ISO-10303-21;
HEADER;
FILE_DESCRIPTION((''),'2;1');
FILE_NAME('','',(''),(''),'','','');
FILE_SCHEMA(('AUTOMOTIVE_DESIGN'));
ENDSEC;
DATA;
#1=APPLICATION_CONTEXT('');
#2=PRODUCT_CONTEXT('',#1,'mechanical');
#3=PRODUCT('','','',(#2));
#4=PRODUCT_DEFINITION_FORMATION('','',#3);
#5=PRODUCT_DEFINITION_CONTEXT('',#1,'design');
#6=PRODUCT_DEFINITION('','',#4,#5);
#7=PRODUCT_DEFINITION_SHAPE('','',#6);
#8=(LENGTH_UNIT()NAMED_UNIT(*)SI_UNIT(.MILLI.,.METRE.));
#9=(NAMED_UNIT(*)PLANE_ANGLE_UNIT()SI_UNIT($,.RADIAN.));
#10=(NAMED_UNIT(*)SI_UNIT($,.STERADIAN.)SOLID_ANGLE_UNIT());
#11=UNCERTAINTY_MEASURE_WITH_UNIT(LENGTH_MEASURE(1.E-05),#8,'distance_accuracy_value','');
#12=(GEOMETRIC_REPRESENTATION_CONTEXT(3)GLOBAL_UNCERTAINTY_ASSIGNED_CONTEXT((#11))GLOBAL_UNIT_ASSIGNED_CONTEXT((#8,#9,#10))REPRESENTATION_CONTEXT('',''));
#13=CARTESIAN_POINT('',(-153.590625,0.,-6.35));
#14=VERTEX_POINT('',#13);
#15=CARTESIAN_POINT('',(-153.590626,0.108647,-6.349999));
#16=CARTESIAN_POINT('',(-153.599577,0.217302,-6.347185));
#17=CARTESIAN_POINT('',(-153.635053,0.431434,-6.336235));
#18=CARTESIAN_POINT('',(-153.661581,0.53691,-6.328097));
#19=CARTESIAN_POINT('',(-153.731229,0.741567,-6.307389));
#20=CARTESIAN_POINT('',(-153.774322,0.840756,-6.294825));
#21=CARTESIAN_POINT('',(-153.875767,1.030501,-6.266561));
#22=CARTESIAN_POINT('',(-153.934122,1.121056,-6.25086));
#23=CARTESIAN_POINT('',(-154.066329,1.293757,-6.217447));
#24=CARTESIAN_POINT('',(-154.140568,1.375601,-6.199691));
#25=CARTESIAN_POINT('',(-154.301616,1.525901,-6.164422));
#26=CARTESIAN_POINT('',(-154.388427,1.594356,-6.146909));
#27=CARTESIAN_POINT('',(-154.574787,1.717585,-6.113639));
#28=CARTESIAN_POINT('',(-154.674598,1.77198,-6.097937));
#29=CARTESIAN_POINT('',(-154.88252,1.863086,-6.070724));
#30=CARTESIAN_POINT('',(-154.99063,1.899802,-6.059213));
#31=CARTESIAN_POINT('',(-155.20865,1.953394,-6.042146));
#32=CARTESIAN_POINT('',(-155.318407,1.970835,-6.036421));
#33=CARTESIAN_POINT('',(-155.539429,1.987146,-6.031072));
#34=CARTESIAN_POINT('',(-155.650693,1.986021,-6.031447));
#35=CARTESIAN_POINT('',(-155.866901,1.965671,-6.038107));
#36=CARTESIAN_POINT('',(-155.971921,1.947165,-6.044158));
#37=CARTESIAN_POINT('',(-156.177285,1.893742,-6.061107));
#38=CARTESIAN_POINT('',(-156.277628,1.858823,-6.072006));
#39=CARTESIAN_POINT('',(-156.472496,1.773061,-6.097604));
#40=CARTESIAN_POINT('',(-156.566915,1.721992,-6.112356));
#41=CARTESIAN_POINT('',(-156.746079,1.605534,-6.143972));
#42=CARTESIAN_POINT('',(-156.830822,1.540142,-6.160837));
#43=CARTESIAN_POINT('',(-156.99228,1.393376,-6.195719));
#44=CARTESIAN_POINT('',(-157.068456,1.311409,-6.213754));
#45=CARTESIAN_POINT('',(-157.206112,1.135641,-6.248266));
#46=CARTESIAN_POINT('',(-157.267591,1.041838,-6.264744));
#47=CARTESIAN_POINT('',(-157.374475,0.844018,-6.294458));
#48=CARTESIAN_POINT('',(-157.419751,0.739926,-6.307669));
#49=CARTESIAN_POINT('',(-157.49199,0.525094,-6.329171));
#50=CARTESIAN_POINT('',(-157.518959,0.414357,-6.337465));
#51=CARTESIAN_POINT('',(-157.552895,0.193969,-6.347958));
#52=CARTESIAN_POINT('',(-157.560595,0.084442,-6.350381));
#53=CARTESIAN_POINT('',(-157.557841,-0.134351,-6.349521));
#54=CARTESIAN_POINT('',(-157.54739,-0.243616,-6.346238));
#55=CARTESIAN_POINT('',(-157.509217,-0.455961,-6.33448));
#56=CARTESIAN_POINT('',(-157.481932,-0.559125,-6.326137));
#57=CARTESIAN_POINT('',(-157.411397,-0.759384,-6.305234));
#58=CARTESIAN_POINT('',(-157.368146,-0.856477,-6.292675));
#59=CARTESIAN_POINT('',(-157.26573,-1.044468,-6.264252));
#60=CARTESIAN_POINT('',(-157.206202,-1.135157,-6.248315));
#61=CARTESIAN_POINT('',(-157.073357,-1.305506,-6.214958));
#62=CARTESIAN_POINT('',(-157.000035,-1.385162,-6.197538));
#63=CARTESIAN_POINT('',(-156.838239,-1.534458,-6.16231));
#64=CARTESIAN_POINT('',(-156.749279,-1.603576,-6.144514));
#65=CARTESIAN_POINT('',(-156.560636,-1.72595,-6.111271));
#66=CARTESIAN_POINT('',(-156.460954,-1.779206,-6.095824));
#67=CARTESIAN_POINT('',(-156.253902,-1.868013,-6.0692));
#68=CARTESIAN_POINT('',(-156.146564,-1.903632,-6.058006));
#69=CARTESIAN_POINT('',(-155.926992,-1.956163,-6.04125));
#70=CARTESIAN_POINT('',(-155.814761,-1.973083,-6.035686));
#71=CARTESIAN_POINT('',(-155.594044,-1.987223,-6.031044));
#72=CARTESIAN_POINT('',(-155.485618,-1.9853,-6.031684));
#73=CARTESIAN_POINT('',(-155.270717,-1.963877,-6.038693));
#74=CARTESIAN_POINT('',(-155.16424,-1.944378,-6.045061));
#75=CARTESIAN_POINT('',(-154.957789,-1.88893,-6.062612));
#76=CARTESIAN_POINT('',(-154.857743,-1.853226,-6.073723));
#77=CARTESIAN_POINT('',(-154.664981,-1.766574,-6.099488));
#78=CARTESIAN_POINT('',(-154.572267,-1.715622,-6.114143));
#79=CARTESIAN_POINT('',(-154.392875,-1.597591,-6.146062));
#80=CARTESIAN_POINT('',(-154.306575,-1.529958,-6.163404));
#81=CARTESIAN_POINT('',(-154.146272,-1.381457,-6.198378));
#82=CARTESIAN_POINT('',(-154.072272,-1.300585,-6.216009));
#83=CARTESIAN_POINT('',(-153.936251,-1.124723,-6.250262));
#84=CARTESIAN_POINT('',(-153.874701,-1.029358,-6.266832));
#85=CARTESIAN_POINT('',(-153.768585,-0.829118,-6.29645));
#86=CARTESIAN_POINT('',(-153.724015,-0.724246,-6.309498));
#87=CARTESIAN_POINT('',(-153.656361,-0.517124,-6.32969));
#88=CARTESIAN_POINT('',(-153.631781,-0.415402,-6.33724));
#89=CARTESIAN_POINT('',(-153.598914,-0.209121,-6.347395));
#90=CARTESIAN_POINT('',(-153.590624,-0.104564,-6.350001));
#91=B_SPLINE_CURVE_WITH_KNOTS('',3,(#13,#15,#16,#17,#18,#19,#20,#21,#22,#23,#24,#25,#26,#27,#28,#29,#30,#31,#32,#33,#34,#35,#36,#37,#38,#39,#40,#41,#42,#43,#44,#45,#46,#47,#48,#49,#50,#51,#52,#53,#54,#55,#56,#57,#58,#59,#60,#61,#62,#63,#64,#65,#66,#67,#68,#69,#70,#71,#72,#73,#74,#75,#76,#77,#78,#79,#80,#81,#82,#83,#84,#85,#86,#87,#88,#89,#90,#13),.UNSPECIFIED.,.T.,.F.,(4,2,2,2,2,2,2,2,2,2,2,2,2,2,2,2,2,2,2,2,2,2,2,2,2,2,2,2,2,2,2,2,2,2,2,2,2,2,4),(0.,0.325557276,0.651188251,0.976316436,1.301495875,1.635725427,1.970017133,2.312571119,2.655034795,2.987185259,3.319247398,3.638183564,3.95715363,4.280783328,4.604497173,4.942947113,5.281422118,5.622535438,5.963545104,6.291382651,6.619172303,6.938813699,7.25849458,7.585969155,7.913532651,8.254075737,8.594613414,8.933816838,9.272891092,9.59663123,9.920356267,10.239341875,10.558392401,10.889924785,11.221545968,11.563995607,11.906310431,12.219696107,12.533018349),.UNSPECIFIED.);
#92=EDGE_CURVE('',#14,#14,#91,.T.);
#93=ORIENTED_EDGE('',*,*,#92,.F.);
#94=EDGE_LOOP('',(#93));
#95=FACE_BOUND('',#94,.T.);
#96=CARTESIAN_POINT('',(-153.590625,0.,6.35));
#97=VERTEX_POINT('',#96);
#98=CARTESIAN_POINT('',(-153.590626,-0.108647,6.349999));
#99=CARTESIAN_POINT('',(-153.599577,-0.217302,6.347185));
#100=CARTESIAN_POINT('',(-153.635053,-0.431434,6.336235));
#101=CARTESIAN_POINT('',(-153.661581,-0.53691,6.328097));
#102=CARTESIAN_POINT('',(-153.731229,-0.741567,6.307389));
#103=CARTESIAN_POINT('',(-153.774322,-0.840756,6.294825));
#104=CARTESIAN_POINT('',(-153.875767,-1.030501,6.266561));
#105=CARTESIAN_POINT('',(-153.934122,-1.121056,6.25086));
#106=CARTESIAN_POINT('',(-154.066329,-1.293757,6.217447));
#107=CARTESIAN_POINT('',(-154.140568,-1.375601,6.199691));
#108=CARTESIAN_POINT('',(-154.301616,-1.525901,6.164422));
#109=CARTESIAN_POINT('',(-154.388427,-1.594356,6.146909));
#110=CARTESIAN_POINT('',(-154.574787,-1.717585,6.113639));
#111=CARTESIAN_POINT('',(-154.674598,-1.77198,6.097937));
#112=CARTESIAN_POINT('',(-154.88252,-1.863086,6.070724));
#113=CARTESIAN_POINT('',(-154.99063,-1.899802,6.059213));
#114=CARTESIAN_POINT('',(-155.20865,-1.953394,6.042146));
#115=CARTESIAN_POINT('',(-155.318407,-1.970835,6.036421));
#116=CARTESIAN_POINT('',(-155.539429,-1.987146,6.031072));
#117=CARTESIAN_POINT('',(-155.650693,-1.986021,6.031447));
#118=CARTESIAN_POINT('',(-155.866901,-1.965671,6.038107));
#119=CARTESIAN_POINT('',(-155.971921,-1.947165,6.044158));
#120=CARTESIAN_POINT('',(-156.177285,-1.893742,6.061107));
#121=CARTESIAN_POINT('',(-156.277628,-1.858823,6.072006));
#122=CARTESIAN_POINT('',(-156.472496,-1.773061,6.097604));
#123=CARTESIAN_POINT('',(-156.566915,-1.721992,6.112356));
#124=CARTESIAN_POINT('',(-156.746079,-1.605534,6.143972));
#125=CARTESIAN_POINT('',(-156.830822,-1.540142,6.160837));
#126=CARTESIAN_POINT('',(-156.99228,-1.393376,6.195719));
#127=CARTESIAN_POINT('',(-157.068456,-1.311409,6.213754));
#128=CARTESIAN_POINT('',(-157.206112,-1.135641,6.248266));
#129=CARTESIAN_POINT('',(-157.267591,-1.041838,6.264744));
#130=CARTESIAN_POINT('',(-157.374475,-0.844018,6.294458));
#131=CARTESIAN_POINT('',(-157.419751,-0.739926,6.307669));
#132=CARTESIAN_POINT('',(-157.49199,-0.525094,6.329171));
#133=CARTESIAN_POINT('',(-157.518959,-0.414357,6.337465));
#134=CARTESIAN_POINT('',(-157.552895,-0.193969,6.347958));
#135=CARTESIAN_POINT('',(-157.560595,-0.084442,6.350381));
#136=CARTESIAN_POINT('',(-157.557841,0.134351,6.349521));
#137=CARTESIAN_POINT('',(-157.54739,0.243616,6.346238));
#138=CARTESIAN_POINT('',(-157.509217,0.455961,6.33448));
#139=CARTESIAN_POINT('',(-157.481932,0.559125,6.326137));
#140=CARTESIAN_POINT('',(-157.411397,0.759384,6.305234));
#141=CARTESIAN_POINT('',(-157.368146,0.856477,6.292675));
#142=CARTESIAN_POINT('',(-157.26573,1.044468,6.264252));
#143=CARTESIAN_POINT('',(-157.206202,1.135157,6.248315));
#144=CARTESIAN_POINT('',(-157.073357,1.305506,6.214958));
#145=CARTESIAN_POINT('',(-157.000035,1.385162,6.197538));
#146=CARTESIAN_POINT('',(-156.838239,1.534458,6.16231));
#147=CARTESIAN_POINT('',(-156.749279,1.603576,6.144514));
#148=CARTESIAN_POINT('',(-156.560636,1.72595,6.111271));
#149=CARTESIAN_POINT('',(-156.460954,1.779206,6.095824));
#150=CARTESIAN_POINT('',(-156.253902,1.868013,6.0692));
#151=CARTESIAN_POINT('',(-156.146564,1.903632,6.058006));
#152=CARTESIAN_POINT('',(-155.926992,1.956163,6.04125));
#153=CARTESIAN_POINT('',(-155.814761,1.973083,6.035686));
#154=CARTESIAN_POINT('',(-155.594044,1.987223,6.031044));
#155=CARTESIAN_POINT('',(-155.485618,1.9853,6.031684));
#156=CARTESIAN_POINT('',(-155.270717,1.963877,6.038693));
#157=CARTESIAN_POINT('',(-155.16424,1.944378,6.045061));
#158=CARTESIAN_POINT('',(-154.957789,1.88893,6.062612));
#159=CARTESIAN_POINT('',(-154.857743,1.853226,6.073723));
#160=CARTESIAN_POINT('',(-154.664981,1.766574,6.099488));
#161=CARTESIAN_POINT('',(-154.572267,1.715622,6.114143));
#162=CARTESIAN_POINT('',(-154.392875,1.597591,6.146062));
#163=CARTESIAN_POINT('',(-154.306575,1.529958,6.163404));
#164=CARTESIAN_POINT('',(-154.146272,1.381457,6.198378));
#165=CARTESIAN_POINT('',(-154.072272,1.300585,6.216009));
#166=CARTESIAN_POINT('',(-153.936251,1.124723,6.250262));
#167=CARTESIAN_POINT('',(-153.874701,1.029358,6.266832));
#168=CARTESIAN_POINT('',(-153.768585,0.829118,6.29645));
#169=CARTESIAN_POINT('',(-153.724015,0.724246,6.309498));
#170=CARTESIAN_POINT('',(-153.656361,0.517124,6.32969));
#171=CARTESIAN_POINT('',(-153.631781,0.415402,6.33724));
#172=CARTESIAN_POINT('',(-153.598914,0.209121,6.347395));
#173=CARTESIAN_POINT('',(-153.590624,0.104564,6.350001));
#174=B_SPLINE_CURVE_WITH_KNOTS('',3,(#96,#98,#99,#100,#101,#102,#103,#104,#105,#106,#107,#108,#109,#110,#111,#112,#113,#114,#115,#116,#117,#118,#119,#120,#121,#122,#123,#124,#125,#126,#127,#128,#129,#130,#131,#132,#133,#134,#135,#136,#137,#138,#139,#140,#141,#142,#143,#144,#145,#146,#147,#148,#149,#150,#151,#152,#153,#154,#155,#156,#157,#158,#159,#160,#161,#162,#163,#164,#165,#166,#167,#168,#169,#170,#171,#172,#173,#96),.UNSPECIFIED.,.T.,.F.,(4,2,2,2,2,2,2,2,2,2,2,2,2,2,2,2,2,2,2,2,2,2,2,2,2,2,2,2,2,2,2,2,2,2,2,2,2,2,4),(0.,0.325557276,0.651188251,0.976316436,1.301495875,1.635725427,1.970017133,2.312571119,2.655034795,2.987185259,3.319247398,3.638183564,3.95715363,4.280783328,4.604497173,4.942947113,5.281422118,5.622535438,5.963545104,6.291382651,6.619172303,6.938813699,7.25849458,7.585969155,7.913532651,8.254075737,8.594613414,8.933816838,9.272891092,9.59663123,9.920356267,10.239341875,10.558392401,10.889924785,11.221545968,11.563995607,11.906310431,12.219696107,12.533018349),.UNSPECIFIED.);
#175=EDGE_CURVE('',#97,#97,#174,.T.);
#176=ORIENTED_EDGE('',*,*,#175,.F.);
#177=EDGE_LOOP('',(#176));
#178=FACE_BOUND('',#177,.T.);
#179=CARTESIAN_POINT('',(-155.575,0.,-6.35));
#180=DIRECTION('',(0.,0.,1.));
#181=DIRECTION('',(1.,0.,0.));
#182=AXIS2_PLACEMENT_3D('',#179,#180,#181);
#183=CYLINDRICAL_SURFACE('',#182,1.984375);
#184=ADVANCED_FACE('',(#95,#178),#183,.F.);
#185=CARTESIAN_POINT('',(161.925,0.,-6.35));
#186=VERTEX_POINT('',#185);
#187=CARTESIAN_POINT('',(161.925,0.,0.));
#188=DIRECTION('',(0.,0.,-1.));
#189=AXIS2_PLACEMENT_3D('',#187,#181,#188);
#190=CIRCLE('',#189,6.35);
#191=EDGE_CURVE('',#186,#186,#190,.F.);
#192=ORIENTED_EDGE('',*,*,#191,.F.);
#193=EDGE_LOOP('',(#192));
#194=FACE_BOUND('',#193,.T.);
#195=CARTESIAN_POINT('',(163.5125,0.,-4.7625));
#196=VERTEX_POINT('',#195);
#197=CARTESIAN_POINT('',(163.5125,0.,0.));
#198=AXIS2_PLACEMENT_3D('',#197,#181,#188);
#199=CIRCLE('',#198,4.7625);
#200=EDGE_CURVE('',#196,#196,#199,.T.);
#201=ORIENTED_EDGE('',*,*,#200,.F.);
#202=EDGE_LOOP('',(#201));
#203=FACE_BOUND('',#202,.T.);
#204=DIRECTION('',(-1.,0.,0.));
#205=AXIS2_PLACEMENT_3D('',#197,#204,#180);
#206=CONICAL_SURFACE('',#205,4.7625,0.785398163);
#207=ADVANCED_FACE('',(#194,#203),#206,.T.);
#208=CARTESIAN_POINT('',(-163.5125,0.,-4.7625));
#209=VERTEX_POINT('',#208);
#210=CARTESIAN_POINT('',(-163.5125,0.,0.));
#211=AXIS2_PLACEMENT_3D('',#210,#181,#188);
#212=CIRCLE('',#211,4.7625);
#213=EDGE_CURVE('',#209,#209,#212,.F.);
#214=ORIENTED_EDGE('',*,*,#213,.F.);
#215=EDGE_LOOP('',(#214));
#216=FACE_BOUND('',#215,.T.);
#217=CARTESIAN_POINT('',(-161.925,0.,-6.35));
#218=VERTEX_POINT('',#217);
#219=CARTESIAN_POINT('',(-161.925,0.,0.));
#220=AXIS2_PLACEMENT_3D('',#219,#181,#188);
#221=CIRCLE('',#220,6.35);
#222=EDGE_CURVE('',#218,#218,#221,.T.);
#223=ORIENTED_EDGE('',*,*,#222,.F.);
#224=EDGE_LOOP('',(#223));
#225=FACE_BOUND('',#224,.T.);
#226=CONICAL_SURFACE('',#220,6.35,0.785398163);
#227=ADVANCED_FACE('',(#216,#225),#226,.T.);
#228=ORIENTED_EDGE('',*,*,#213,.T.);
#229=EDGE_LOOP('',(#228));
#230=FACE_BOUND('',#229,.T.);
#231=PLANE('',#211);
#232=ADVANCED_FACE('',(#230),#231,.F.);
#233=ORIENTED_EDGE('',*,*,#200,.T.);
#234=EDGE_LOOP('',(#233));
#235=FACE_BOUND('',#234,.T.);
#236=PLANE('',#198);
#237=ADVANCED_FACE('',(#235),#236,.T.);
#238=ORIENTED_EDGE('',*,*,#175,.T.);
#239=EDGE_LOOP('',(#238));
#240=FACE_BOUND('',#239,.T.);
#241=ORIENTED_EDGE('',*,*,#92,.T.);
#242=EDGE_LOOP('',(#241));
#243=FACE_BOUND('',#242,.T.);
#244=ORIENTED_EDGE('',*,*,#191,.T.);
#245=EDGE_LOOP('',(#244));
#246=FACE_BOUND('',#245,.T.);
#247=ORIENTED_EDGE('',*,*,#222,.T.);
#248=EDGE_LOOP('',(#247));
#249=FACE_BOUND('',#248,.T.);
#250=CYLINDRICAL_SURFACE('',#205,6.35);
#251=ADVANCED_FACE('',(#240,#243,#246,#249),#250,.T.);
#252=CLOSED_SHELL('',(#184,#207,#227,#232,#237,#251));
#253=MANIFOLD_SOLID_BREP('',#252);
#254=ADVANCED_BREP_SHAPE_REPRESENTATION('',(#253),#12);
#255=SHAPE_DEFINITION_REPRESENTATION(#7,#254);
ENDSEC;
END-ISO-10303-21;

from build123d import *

# Parameters (mm, degrees)
SKETCH1_R               = 6.35
BOSS_EXTRUDE1_DEPTH     = 163.5125
CHAMFER1_SIZE           = 1.5875
SKETCH2_R               = 1.984375
CUT_EXTRUDE1_DEPTH      = 7.35
CUT_EXTRUDE1_DEPTH_BACK = 7.35


with BuildPart() as part:
    # Sketch1 → Boss-Extrude1 (new body, symmetric)
    with BuildSketch(Plane(origin=(0, 0, 0), x_dir=(0, 0, -1), z_dir=(1, 0, 0))):
        Circle(SKETCH1_R)
    extrude(amount=BOSS_EXTRUDE1_DEPTH, both=True)

    # Chamfer1
    chamfer1_edges = [part.edges().sort_by_distance(p)[0] for p in [
        (-163.5125, 0, 6.35),
        (163.5125, 0, 6.35),
    ]]
    chamfer(chamfer1_edges, length=CHAMFER1_SIZE)

    # Sketch2 → Cut-Extrude1 (cut, two sides)
    with BuildSketch(Plane.XY) as cut_extrude1_sk:
        with Locations((-155.575, 0)):
            Circle(SKETCH2_R)
    extrude(amount=CUT_EXTRUDE1_DEPTH, mode=Mode.SUBTRACT)
    extrude(cut_extrude1_sk.sketch, amount=-CUT_EXTRUDE1_DEPTH_BACK, mode=Mode.SUBTRACT)


solid = part.part
